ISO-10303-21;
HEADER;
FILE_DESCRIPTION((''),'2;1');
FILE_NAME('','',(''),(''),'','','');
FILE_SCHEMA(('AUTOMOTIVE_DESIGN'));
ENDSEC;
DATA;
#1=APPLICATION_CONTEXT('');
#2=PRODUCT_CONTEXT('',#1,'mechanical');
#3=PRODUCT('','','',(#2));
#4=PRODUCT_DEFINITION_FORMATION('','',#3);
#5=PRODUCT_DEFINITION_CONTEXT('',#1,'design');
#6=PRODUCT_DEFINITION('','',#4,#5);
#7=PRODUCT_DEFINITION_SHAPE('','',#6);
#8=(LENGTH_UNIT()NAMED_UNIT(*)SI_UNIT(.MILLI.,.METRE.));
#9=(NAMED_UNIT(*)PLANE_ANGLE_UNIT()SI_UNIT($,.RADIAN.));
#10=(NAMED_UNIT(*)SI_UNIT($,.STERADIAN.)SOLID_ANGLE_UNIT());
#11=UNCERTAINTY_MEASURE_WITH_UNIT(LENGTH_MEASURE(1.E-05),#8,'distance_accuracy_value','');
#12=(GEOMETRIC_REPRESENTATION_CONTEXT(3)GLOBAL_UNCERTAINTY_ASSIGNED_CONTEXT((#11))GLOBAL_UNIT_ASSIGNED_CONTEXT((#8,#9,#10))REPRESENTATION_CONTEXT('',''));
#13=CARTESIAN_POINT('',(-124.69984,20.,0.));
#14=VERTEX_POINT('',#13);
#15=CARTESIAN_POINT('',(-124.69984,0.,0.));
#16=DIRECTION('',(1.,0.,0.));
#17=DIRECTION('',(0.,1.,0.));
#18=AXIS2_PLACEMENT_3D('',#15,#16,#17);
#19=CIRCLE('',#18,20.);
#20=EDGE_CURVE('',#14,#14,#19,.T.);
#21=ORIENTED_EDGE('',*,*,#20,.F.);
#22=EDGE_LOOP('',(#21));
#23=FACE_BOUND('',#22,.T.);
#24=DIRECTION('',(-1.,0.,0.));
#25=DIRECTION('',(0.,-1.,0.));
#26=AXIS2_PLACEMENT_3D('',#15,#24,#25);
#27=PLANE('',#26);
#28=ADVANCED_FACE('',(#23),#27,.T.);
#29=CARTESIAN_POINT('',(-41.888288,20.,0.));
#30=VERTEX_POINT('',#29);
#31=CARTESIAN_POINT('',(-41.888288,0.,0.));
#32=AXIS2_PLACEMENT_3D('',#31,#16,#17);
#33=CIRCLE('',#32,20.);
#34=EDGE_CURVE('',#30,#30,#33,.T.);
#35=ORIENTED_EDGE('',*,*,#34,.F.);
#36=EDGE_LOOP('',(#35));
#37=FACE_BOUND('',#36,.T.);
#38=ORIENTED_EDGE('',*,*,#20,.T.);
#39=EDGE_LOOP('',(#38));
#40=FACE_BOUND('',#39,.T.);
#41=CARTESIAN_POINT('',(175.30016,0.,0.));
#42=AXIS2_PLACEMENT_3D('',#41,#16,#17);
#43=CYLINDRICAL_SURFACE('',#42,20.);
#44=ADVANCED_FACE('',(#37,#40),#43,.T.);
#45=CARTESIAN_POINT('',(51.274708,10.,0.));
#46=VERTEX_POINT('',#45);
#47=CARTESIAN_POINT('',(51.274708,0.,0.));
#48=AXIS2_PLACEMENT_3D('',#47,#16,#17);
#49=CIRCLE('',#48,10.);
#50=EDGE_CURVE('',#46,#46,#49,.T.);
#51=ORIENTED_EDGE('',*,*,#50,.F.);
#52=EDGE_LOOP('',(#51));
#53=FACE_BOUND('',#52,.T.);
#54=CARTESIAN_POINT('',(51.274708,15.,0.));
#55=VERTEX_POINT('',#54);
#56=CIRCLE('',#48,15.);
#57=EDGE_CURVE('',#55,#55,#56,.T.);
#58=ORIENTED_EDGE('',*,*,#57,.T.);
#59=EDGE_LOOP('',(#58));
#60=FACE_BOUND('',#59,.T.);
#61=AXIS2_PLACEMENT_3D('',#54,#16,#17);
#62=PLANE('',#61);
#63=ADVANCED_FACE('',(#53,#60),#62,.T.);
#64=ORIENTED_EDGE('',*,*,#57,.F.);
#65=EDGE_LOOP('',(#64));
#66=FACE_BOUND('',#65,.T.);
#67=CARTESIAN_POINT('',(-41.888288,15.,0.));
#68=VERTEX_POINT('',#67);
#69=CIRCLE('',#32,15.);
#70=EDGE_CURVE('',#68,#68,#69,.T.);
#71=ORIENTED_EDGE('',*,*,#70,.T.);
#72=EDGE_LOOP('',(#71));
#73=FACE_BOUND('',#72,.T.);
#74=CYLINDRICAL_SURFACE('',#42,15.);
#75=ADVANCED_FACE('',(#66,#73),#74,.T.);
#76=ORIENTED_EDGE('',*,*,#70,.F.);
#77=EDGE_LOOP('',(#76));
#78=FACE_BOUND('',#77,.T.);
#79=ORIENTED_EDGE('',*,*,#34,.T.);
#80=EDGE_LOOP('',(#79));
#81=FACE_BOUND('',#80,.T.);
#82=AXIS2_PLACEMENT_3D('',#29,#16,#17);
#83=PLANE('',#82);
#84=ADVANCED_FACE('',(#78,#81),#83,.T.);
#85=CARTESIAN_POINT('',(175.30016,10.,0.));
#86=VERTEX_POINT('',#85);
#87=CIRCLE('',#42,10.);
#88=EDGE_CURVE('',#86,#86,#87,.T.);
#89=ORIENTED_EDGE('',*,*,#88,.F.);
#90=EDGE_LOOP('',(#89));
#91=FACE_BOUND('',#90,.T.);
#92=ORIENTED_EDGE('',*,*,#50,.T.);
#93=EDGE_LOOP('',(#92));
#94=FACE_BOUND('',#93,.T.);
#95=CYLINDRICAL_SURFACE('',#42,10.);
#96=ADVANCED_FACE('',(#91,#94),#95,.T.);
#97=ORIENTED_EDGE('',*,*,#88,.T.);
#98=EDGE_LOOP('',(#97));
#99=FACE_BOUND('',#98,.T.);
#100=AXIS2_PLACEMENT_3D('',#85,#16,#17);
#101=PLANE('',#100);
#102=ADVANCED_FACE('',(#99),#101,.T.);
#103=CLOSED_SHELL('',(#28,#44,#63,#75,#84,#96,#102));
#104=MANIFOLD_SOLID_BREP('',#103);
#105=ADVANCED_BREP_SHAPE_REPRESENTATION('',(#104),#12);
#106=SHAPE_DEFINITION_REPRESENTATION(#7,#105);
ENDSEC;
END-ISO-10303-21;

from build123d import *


with BuildPart() as part:
    # Çizim1 → Döndür1 (revolve)
    with BuildSketch(Plane.XY):
        Polygon((-124.699839546, 0), (-124.699839546, 20), (-41.888287939, 20), (-41.888287939, 15), (51.274707618, 15), (51.274707618, 10), (175.300160454, 10), (175.300160454, 0), align=None)
    revolve(axis=Axis((175.300160454, 0, 0), (-1, 0, 0)))


solid = part.part
